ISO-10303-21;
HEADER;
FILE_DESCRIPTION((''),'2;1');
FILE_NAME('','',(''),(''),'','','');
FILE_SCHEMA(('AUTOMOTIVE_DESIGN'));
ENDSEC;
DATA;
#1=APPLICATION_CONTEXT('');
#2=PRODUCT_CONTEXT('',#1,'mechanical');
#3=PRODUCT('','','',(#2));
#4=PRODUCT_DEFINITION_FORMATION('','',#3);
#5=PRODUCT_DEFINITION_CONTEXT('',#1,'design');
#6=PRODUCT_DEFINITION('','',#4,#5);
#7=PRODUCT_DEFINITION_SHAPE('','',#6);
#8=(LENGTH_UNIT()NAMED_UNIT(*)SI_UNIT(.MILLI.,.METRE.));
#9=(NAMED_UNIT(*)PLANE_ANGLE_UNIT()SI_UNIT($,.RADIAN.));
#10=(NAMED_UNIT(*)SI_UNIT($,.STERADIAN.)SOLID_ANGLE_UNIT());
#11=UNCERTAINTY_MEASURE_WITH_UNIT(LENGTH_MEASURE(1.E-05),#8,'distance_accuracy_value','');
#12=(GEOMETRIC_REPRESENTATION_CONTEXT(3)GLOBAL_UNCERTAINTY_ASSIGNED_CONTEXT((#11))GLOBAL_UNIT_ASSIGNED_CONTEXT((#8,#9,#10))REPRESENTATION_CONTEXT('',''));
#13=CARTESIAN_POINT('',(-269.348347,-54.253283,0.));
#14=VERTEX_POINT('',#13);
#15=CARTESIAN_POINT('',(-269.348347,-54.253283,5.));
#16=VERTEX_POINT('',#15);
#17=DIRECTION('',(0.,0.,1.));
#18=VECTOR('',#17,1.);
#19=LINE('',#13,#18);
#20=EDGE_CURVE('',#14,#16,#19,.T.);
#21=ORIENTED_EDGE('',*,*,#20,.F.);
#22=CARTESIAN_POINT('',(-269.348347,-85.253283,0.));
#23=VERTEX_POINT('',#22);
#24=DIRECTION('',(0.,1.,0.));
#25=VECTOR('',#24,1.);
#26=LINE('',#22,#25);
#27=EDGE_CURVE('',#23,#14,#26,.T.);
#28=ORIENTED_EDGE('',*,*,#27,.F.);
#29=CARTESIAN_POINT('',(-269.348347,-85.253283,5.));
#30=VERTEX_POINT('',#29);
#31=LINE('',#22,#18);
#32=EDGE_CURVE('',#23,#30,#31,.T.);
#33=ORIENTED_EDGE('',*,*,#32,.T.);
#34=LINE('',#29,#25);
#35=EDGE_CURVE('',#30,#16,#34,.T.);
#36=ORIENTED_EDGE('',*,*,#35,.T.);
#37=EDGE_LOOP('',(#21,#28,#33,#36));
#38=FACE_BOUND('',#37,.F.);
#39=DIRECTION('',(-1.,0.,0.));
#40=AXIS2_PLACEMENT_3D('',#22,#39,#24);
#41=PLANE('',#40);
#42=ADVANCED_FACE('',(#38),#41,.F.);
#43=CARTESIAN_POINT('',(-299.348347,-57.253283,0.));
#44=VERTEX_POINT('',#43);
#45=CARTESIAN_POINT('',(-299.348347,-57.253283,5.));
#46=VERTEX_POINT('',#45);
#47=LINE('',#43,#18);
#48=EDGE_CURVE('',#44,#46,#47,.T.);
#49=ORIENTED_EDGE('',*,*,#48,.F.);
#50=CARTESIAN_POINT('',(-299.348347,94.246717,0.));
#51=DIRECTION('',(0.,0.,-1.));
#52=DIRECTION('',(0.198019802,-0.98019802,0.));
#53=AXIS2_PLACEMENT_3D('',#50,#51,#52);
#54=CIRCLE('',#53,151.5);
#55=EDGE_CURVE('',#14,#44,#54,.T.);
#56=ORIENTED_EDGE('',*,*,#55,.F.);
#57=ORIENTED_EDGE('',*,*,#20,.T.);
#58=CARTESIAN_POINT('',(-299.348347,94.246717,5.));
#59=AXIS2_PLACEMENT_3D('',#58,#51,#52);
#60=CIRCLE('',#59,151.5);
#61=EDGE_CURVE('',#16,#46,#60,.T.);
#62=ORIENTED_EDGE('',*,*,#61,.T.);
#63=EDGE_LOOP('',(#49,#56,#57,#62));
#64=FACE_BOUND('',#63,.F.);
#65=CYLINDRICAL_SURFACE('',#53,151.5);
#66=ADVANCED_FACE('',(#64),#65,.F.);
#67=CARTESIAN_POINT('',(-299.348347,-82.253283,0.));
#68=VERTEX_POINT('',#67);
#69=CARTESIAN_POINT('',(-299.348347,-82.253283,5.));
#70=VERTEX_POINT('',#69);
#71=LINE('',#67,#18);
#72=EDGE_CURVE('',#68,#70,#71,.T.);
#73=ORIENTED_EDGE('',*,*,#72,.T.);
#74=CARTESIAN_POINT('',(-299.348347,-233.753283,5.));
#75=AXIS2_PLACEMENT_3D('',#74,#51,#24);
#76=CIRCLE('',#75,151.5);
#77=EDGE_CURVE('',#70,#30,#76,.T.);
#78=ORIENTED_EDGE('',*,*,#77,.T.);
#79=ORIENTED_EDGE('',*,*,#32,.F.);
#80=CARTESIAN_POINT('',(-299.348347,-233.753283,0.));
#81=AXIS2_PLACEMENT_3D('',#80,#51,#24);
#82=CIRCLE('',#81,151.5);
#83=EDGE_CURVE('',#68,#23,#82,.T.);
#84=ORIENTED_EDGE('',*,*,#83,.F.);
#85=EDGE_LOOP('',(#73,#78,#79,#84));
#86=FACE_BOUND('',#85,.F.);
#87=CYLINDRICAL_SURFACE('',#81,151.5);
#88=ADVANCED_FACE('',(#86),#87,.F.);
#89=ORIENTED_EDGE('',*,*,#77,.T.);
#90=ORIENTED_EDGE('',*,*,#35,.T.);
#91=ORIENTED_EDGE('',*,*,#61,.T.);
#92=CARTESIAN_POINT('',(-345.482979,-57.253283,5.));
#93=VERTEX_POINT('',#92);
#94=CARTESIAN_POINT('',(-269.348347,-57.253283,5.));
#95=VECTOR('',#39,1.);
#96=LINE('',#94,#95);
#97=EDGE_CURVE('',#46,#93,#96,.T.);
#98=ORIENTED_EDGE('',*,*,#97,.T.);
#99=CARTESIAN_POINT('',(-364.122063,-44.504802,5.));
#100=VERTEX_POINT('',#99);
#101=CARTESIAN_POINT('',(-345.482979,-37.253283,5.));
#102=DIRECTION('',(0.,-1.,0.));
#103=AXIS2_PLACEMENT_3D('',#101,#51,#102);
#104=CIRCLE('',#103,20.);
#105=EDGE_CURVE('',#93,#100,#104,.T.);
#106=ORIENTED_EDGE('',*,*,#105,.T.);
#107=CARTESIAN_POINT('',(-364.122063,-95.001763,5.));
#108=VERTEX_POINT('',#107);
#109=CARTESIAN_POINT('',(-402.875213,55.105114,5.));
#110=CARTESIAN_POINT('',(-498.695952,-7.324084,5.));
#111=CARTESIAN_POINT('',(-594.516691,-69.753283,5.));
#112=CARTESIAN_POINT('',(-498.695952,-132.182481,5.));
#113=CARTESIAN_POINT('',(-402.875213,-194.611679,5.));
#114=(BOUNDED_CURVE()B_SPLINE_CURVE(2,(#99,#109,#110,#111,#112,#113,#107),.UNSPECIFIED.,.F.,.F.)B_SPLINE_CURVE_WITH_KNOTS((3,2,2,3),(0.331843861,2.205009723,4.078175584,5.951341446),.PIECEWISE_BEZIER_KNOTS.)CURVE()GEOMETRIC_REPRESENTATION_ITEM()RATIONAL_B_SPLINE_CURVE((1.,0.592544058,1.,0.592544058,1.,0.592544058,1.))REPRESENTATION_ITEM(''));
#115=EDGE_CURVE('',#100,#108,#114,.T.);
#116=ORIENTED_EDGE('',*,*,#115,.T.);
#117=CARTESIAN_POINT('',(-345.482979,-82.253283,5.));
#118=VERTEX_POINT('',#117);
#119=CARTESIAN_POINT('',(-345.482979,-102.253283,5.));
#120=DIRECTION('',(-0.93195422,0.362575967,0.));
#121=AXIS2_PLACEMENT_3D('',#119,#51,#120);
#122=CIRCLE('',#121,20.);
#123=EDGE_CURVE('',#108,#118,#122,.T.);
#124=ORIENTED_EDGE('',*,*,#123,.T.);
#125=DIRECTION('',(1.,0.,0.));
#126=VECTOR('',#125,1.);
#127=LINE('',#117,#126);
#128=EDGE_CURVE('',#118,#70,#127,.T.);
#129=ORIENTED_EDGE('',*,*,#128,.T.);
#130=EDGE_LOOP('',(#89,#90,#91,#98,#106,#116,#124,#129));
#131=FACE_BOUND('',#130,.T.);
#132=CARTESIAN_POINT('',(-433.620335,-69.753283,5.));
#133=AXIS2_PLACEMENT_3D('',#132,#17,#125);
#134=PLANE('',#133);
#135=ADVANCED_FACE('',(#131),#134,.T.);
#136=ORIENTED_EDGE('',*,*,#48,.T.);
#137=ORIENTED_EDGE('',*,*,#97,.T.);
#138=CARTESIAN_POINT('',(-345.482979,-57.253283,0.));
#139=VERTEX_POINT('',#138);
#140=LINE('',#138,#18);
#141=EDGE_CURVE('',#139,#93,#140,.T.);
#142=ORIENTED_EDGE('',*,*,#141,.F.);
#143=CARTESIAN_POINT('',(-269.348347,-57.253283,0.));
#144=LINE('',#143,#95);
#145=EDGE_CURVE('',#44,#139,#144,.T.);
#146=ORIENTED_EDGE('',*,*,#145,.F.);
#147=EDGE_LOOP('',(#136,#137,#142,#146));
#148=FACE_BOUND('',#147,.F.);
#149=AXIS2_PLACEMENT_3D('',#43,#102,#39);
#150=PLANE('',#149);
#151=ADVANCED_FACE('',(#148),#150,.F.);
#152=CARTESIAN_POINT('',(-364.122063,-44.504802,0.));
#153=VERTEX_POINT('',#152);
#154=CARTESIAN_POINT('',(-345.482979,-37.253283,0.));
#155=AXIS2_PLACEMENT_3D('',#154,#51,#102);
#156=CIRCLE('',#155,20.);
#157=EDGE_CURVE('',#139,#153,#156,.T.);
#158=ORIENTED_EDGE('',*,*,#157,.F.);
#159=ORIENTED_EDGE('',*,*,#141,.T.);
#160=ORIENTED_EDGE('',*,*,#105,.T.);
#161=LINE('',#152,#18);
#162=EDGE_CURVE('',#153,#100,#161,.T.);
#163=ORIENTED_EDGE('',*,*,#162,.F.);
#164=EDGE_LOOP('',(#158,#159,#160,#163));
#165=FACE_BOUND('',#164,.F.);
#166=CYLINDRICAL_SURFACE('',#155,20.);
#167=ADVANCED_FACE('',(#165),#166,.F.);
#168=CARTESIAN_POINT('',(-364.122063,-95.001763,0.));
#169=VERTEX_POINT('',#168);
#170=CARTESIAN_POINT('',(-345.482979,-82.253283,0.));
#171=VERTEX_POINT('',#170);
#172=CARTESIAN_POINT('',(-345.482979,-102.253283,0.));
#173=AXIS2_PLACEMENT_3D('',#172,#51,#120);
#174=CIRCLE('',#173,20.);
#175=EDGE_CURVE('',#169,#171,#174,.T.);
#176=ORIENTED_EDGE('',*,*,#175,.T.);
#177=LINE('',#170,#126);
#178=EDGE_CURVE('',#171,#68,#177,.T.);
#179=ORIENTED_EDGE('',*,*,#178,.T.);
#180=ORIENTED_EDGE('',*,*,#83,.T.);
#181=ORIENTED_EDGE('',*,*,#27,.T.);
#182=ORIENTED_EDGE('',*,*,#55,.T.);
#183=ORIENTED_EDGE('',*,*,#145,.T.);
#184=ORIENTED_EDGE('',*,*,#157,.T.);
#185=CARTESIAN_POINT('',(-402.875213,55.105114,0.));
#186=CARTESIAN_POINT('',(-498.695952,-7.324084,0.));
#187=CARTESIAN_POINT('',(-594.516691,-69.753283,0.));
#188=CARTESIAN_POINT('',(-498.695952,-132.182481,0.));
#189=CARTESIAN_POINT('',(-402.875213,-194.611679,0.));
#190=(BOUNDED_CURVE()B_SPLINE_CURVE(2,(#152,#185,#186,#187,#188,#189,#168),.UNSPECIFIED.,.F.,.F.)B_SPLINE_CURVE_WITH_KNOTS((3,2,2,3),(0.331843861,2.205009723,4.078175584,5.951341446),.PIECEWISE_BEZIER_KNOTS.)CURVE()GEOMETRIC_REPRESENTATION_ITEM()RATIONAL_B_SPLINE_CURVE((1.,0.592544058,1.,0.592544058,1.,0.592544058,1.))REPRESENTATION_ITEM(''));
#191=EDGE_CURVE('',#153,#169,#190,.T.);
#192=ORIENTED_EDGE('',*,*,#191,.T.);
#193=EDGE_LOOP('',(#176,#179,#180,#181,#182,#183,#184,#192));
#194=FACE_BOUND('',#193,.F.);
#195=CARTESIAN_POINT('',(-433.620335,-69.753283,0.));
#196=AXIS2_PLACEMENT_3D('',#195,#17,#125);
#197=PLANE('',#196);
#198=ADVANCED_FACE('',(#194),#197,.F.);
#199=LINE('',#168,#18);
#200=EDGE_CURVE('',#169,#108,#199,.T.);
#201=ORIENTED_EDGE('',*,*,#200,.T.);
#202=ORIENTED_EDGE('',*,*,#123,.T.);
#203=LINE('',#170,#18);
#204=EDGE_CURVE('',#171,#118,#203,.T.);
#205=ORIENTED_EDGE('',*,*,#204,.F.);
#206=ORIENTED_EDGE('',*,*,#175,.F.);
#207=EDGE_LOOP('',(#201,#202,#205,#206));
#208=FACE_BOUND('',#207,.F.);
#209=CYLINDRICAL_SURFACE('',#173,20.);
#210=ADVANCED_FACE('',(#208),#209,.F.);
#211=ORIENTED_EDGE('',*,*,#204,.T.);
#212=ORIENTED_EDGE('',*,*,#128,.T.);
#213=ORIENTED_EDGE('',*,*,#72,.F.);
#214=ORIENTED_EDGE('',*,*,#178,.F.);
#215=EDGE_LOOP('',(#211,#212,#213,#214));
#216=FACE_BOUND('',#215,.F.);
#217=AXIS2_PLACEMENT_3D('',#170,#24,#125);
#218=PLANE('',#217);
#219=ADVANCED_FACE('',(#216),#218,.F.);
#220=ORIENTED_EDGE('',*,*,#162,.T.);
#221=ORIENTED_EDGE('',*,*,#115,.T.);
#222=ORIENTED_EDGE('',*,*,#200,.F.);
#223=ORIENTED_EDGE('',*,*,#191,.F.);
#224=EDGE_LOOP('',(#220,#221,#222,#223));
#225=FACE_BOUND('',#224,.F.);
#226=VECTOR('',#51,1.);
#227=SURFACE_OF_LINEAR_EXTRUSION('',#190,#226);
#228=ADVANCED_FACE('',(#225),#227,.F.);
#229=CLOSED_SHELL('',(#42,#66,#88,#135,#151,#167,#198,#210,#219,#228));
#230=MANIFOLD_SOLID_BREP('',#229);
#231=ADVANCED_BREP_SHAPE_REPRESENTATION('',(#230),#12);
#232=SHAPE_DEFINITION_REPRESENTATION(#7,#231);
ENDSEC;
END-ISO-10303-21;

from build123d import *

# Parameters (mm, degrees)
F1_DEPTH = 5


with BuildPart() as f1:
    # F0 (on Top) → F1 (new body)
    with BuildSketch(Plane.XY):
        with BuildLine():
            ThreePointArc((-345.4829788193, -57.2532826662), (-356.7738958186, -53.7613168712), (-364.1220632224, -44.5048019976))
            add(Edge.make_bspline(
                [(-364.1220632224, -44.5048019976), (-402.8752131094, 55.1051140242), (-498.6959522875, -7.324084321), (-594.5166914657, -69.7532826662), (-498.6959522875, -132.1824810114), (-402.8752131094, -194.6116793566), (-364.1220632224, -95.0017633348)],
                knots=[0.3318438612, 0.3318438612, 0.3318438612, 2.2050097228, 2.2050097228, 4.0781755844, 4.0781755844, 5.951341446, 5.951341446, 5.951341446], degree=2, weights=[1, 0.5925440583, 1, 0.5925440583, 1, 0.5925440583, 1]))
            ThreePointArc((-364.1220632224, -95.0017633348), (-356.7738958186, -85.7452484612), (-345.4829788193, -82.2532826662))
            Line((-345.4829788193, -82.2532826662), (-379.348347187, -82.2532826662))
            Line((-379.348347187, -82.2532826662), (-379.348347187, -57.2532826662))
            Line((-379.348347187, -57.2532826662), (-345.4829788193, -57.2532826662))
        make_face()
        Polygon((-299.348347187, -57.2532826662), (-345.4829788193, -57.2532826662), (-379.348347187, -57.2532826662), (-379.348347187, -82.2532826662), (-345.4829788193, -82.2532826662), (-299.348347187, -82.2532826662), (-269.348347187, -82.2532826662), (-269.348347187, -57.2532826662), align=None)
        with BuildLine():
            ThreePointArc((-269.348347187, -54.2532826662), (-284.2735337554, -56.501416983), (-299.348347187, -57.2532826662))
            Line((-299.348347187, -57.2532826662), (-269.348347187, -57.2532826662))
            Line((-269.348347187, -57.2532826662), (-269.348347187, -54.2532826662))
        make_face()
        with BuildLine():
            Line((-269.348347187, -82.2532826662), (-299.348347187, -82.2532826662))
            ThreePointArc((-299.348347187, -82.2532826662), (-284.2735337554, -83.0051483494), (-269.348347187, -85.2532826662))
            Line((-269.348347187, -85.2532826662), (-269.348347187, -82.2532826662))
        make_face()
    extrude(amount=F1_DEPTH)


solid = f1.part
